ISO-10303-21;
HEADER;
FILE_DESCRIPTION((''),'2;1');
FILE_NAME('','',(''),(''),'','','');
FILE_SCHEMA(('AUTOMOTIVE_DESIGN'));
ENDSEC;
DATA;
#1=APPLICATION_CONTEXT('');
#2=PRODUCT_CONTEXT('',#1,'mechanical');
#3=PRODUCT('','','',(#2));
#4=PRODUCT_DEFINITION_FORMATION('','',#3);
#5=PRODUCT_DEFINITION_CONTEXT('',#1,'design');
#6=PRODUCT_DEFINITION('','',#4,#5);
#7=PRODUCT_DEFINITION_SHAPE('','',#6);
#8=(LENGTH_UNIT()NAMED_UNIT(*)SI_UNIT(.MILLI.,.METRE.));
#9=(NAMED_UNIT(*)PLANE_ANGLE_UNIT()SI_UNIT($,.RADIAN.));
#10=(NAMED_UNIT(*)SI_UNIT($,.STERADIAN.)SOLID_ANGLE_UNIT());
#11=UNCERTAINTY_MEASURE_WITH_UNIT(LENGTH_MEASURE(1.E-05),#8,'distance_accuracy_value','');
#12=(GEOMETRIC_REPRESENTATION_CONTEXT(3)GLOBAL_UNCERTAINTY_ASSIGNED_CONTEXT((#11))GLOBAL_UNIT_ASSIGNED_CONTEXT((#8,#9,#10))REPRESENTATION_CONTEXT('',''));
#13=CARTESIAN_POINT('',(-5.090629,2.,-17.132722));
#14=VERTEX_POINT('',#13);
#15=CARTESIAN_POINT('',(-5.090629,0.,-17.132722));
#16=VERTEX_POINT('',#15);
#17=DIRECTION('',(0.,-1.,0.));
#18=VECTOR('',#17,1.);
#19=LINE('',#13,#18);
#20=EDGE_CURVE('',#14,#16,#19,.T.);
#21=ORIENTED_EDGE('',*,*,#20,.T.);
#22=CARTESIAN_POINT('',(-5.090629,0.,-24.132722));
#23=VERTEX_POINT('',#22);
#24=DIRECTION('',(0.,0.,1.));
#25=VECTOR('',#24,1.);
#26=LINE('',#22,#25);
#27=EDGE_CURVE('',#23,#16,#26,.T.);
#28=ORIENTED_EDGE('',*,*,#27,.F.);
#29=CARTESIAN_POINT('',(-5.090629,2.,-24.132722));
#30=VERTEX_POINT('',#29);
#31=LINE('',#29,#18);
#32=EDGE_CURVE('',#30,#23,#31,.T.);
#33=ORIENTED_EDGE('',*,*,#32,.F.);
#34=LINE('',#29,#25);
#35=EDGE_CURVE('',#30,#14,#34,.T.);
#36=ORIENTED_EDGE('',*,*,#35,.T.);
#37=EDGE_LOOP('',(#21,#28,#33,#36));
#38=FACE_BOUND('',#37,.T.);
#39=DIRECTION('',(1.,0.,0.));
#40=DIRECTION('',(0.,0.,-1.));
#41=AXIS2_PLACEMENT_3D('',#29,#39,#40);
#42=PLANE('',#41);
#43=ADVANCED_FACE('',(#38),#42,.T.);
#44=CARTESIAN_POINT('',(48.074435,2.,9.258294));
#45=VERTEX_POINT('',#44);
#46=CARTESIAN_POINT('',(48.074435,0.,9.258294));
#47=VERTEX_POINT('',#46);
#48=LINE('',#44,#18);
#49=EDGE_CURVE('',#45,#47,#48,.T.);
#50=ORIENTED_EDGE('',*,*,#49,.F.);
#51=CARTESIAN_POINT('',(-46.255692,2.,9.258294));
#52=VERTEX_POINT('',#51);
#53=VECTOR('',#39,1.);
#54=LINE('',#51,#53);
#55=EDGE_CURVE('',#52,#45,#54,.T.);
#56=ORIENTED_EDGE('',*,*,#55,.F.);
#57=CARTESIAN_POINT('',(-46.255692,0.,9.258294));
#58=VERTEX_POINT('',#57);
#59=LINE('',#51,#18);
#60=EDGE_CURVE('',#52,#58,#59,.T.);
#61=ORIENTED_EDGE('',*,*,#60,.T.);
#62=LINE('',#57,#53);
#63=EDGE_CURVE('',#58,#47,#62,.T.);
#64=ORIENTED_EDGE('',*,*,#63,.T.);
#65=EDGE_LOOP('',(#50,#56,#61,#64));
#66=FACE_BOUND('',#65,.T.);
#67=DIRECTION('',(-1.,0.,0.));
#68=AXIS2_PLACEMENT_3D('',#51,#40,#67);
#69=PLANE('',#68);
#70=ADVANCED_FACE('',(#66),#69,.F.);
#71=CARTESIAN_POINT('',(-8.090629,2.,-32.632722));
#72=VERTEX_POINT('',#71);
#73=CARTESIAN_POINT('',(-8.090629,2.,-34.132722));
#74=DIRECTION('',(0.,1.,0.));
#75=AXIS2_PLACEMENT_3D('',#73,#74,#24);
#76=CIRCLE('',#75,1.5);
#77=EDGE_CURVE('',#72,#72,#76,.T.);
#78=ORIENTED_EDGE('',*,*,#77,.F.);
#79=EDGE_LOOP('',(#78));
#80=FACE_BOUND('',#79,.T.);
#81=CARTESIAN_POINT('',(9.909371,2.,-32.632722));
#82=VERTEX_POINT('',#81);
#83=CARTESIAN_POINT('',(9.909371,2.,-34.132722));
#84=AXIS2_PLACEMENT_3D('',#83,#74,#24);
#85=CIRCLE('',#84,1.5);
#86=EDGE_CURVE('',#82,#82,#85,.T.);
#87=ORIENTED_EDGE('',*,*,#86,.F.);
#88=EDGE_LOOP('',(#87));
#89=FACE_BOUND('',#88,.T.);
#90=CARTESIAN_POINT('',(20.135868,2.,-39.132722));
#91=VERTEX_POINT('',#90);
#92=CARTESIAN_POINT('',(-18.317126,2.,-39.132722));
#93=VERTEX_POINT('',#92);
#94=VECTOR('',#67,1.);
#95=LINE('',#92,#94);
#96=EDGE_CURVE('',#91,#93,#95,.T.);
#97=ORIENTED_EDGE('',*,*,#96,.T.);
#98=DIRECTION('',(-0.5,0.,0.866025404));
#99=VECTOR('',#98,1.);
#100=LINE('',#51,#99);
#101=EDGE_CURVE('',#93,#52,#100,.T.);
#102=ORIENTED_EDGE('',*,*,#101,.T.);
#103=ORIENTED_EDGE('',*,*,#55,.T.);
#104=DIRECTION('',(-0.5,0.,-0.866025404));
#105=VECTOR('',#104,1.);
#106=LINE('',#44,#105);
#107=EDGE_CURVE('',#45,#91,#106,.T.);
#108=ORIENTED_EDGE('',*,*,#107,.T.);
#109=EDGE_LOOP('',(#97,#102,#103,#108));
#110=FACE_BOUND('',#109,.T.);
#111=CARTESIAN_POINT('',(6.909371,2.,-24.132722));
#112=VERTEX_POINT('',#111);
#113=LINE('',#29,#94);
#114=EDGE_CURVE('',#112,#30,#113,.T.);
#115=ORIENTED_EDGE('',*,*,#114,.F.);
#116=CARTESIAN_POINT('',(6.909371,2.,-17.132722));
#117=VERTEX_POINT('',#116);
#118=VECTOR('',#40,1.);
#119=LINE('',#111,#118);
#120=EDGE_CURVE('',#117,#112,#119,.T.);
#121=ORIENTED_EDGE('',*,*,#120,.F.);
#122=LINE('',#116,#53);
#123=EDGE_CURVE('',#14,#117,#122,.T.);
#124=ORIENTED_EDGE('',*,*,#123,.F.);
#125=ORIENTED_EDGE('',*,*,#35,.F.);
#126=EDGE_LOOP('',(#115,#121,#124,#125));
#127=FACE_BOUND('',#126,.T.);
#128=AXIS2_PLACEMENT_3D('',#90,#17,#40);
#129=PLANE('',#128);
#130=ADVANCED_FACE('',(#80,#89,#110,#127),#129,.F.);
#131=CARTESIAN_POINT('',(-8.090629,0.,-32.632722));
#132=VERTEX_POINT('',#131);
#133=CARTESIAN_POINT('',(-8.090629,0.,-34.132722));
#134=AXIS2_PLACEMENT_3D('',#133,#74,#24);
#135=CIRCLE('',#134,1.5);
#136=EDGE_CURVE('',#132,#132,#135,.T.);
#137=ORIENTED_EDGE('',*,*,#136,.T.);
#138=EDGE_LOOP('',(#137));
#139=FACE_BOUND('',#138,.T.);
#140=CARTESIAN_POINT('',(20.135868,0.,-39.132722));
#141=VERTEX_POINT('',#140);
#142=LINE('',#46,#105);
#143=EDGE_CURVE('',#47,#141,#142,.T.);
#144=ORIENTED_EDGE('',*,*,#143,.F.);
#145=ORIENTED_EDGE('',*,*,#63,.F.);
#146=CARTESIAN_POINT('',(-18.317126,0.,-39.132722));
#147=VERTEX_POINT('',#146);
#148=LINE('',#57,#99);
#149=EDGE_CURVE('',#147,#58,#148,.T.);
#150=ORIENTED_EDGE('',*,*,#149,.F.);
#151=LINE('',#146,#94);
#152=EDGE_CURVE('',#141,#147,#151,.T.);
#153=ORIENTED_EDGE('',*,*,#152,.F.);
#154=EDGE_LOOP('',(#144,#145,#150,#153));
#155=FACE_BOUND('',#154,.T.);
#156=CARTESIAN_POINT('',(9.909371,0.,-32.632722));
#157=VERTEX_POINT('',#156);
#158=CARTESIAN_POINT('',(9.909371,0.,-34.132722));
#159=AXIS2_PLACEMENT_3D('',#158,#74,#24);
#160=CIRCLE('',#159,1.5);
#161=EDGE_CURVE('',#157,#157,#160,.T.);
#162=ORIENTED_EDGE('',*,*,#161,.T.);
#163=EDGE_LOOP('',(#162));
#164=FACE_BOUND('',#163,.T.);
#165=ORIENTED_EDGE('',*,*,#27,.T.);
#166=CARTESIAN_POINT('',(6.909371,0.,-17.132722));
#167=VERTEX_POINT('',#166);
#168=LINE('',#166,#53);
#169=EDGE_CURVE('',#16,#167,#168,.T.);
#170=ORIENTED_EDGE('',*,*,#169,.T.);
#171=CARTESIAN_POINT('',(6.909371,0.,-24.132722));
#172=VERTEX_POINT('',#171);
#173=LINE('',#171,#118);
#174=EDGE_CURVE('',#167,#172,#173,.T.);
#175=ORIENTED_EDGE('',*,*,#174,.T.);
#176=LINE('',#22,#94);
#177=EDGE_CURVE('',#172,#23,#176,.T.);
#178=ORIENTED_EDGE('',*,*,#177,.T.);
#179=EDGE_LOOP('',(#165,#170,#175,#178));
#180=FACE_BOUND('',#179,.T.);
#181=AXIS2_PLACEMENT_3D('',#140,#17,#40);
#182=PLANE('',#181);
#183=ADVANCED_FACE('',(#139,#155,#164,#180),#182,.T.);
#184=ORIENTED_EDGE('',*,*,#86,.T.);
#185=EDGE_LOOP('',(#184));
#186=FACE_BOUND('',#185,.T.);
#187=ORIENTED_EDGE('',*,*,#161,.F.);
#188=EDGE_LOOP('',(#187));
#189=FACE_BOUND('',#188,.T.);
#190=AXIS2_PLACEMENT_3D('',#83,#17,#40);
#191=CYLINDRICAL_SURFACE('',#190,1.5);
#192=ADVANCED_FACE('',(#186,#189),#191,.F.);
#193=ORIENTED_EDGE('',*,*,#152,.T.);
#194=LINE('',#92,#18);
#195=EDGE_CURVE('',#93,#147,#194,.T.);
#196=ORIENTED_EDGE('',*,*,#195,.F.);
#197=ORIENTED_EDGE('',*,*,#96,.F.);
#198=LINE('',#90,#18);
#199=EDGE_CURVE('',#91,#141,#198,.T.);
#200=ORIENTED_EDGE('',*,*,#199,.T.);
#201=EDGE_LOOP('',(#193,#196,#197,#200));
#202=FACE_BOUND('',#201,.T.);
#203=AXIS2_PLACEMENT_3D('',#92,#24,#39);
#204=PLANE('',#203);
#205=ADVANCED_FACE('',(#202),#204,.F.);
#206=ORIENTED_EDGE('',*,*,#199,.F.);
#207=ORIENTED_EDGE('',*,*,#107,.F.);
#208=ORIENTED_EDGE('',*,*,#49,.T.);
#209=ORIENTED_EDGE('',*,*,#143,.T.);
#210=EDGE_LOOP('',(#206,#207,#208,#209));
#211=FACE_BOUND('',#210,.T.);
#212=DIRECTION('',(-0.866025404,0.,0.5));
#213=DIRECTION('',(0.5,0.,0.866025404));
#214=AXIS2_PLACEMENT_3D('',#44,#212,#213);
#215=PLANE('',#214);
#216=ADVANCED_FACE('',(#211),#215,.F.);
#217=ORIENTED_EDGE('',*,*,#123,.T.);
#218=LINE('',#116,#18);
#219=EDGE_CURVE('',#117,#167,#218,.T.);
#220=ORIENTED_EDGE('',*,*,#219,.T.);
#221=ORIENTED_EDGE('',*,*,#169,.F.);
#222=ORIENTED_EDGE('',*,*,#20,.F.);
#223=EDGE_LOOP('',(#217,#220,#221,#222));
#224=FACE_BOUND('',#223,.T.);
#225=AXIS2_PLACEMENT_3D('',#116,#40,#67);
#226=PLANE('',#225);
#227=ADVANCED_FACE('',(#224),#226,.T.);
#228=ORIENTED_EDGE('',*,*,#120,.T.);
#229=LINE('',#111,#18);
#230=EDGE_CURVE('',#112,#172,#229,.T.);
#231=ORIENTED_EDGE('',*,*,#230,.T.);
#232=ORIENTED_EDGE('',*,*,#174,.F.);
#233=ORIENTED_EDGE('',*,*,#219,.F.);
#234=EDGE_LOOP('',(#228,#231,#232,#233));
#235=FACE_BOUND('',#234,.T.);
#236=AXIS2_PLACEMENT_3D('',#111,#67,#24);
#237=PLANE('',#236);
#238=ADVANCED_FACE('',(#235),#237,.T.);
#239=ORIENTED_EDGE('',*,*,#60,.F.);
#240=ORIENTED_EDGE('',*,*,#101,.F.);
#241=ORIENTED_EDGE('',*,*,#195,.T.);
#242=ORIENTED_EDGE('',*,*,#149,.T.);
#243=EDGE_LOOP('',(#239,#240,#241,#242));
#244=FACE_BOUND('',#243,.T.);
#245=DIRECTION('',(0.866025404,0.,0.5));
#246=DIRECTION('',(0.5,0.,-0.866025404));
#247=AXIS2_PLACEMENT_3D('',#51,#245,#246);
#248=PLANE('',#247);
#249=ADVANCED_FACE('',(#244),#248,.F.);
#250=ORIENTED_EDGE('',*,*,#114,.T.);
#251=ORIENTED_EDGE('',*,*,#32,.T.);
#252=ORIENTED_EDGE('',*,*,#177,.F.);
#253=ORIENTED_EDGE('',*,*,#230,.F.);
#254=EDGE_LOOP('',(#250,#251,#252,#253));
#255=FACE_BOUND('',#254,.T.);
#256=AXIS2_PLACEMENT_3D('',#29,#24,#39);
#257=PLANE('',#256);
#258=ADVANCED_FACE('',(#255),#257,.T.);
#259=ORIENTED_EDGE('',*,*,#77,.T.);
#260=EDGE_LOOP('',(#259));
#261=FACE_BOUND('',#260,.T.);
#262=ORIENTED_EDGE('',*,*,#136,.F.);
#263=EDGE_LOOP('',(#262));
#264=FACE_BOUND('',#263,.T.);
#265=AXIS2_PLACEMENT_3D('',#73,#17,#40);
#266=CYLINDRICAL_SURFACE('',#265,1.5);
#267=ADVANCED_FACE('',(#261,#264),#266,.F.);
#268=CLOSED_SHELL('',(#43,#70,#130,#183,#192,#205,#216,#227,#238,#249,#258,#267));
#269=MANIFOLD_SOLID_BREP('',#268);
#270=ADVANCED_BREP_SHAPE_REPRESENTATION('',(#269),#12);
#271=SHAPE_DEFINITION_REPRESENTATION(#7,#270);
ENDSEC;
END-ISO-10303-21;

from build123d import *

# Parameters (mm, degrees)
ESQUISSE1_R        = 1.5
ESQUISSE1_W        = 12
ESQUISSE1_H        = 7
BOSS_EXTRU_1_DEPTH = 2


with BuildPart() as part:
    # Esquisse1 → Boss.-Extru.1 (new body)
    with BuildSketch(Plane(origin=(0, 0, 0), x_dir=(1, 0, 0), z_dir=(0, 1, 0))):
        Polygon((-18.31712618, 39.132721947), (20.135868436, 39.132721947), (48.074434638, -9.258294204), (-46.255692381, -9.258294204), align=None)
        with Locations((-8.090628872, 34.132721947)):
            Circle(ESQUISSE1_R, mode=Mode.SUBTRACT)
        with Locations((9.909371128, 34.132721947)):
            Circle(ESQUISSE1_R, mode=Mode.SUBTRACT)
        with Locations((0.909371128, 20.632721947)):
            Rectangle(ESQUISSE1_W, ESQUISSE1_H, mode=Mode.SUBTRACT)
    extrude(amount=BOSS_EXTRU_1_DEPTH)


solid = part.part
